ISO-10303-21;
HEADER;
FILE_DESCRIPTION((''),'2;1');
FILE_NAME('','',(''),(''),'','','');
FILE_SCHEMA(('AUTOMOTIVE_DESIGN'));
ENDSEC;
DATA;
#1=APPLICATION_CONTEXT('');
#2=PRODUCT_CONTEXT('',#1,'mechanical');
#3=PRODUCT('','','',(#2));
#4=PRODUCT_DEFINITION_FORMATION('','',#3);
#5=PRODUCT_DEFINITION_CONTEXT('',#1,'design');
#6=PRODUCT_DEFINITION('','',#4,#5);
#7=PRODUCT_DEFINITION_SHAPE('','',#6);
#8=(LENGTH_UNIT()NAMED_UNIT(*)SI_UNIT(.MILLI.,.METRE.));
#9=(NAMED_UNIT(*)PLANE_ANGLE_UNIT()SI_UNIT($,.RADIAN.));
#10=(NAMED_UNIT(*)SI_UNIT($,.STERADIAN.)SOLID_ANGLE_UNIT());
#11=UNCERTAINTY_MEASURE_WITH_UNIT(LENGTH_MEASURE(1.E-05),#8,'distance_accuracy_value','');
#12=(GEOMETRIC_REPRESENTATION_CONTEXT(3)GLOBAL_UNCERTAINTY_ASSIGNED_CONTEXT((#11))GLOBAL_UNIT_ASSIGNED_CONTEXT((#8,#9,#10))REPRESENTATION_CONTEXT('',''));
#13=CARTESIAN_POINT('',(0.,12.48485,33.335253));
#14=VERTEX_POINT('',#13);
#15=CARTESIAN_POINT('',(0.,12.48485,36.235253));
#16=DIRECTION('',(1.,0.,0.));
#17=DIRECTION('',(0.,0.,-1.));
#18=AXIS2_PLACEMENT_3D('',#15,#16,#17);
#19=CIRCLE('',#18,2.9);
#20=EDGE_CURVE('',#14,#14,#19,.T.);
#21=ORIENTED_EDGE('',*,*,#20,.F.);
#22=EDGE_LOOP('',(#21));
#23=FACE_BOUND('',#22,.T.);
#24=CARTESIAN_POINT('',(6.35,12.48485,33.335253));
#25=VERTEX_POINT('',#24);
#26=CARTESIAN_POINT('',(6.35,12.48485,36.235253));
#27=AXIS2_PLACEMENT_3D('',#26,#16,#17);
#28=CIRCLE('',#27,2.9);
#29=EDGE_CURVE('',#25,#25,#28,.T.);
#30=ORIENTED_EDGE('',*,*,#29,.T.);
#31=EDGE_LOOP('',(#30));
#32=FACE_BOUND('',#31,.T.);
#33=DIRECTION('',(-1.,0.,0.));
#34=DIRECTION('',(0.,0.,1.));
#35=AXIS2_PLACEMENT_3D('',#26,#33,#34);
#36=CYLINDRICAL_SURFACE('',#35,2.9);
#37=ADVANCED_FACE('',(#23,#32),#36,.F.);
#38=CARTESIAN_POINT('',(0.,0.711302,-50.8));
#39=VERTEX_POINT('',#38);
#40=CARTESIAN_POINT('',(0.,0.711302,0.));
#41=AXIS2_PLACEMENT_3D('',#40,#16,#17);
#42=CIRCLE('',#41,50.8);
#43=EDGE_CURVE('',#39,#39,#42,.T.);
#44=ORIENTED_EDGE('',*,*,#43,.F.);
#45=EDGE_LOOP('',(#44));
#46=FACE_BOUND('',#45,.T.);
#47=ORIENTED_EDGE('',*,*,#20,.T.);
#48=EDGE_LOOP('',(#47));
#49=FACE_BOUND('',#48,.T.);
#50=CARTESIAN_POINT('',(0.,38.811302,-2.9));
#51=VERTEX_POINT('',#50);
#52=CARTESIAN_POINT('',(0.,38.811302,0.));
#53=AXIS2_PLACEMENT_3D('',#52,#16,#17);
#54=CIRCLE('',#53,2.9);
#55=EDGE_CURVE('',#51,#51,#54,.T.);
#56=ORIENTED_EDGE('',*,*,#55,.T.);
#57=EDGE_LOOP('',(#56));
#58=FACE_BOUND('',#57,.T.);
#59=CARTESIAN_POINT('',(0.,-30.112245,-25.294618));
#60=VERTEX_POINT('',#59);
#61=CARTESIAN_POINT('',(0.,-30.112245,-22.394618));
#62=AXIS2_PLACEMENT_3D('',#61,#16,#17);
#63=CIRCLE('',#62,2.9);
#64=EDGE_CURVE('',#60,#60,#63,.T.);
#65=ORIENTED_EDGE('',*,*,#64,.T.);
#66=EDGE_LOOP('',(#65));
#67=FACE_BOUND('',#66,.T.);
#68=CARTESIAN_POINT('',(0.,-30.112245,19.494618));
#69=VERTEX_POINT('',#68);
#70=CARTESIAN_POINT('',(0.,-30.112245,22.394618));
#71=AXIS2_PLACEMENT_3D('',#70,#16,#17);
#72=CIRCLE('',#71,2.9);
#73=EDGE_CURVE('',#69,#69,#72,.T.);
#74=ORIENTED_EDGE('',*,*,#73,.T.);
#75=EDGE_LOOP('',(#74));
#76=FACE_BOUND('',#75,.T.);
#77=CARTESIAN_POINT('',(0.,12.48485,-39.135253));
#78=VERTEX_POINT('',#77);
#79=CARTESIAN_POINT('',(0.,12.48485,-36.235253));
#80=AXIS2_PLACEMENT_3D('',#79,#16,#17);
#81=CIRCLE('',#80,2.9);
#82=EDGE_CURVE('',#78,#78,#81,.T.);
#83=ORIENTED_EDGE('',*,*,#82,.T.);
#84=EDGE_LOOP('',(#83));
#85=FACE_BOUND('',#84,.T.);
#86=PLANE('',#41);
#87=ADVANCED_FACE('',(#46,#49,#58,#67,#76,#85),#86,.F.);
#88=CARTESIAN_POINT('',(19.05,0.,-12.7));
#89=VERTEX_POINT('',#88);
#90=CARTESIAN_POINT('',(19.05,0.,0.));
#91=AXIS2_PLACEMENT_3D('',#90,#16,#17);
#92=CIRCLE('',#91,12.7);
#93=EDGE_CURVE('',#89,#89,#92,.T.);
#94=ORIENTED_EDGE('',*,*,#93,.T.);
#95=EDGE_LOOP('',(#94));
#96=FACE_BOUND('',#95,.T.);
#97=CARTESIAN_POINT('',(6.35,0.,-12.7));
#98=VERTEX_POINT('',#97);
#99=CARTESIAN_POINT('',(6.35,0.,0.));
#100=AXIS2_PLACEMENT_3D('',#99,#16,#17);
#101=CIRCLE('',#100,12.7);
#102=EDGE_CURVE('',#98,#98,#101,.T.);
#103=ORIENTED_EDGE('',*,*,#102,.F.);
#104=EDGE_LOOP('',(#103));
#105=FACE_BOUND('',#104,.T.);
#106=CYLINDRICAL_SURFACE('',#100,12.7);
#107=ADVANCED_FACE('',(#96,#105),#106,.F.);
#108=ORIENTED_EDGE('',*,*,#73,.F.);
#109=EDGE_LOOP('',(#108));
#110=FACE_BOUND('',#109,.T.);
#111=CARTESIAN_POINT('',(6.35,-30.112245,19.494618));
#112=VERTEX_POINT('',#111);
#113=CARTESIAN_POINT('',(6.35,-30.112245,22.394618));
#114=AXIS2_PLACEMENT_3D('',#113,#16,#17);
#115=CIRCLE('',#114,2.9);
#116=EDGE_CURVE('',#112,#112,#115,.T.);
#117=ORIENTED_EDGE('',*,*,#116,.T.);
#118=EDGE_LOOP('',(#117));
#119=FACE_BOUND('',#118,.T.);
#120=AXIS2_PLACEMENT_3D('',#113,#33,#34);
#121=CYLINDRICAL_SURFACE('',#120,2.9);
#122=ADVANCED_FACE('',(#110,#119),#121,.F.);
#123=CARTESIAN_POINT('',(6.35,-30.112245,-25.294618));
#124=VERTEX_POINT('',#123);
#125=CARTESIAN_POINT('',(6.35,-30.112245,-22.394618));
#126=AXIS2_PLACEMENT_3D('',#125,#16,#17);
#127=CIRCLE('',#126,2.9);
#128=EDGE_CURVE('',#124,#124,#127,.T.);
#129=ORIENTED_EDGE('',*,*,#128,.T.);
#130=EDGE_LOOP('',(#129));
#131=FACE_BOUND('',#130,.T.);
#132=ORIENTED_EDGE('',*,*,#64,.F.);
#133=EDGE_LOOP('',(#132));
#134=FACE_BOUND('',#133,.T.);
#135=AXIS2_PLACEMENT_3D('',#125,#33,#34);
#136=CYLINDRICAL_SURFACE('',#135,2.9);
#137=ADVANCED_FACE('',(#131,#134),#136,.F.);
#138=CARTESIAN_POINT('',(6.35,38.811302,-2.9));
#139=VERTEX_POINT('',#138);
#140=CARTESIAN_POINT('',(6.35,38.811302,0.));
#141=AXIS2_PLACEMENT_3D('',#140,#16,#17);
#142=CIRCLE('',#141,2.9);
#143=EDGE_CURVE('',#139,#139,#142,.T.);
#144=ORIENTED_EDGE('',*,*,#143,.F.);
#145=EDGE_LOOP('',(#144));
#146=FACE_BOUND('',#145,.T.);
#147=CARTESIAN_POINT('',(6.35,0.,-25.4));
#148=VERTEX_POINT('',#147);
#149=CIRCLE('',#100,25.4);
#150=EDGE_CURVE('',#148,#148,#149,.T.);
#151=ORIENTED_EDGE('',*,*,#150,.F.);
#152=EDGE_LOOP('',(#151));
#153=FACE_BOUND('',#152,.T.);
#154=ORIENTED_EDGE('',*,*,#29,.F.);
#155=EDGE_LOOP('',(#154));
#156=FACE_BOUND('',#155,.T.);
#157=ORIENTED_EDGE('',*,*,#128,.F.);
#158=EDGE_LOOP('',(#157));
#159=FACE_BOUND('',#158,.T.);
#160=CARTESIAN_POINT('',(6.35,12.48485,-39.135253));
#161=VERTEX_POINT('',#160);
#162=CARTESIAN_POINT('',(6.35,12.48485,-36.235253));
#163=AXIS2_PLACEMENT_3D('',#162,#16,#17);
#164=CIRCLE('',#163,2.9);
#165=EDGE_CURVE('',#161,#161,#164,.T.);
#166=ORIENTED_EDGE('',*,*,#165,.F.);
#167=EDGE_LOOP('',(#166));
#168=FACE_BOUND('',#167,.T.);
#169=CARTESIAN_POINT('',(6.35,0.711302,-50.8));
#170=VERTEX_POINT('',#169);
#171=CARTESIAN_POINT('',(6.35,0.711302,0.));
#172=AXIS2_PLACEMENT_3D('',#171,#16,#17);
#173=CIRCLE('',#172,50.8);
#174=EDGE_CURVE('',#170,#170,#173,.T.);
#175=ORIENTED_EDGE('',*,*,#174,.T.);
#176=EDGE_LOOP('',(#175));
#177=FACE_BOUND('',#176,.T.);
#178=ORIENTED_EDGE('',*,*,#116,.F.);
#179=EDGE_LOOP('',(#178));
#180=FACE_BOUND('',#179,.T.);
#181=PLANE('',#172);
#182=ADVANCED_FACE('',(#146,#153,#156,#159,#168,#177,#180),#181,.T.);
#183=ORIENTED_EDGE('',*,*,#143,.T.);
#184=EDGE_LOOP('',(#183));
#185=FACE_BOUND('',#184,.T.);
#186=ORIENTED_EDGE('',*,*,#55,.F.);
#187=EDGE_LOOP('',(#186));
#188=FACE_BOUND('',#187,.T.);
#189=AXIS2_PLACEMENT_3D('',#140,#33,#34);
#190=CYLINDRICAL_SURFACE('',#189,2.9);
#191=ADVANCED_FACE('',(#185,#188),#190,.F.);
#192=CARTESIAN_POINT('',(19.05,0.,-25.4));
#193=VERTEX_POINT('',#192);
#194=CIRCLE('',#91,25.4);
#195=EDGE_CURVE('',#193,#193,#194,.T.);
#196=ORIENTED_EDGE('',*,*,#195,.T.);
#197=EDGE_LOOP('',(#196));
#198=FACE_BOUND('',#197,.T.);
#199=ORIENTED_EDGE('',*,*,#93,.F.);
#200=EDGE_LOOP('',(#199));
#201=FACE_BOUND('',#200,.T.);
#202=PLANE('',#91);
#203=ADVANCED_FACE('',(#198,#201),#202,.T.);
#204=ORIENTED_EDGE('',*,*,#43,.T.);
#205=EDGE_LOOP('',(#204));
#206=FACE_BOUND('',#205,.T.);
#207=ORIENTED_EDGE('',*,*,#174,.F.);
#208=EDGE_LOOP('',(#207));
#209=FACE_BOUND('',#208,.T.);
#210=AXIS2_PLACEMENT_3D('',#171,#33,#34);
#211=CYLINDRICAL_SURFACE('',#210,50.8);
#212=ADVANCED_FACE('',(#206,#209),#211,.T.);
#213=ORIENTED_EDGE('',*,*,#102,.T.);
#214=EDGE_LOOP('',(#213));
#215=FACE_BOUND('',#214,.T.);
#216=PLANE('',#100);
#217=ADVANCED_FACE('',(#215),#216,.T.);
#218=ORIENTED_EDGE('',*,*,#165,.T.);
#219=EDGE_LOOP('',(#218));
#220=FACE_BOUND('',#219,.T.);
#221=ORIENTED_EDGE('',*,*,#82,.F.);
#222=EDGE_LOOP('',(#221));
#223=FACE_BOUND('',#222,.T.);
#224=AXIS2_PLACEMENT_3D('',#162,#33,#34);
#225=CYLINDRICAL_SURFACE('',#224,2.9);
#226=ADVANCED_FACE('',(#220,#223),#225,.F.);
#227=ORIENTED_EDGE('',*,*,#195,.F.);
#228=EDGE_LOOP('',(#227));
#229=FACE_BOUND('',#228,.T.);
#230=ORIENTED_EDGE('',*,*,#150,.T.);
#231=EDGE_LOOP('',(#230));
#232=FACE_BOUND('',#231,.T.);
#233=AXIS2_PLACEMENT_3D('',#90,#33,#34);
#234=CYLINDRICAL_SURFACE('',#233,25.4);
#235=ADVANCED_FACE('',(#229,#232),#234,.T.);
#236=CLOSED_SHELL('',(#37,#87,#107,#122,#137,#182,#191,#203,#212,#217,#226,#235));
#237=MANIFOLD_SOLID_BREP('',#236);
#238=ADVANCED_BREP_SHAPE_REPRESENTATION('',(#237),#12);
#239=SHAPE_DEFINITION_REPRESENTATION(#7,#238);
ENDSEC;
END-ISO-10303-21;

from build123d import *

# Parameters (mm, degrees)
SKETCH1_R           = 50.8
SKETCH1_R_2         = 2.9
BOSS_EXTRUDE1_DEPTH = 6.35
SKETCH2_R           = 25.4
BOSS_EXTRUDE2_DEPTH = 12.7
SKETCH3_R           = 12.7
CUT_EXTRUDE1_DEPTH  = 12.7


with BuildPart() as part:
    # Sketch1 → Boss-Extrude1 (new body)
    with BuildSketch(Plane(origin=(0, 0, 0), x_dir=(0, 0, -1), z_dir=(1, 0, 0))):
        with Locations((0, 0.711302035)):
            Circle(SKETCH1_R)
        with Locations((-36.235253271, 12.484849521)):
            Circle(SKETCH1_R_2, mode=Mode.SUBTRACT)
        with Locations((-22.394618112, -30.112245451)):
            Circle(SKETCH1_R_2, mode=Mode.SUBTRACT)
        with Locations((22.394618112, -30.112245451)):
            Circle(SKETCH1_R_2, mode=Mode.SUBTRACT)
        with Locations((36.235253271, 12.484849521)):
            Circle(SKETCH1_R_2, mode=Mode.SUBTRACT)
        with Locations((0, 38.811302035)):
            Circle(SKETCH1_R_2, mode=Mode.SUBTRACT)
    extrude(amount=BOSS_EXTRUDE1_DEPTH)

    # Sketch2 → Boss-Extrude2 (add)
    with BuildSketch(Plane(origin=(6.35, 0, 0), x_dir=(0, 0, -1), z_dir=(1, 0, 0))):
        Circle(SKETCH2_R)
    extrude(amount=BOSS_EXTRUDE2_DEPTH)

    # Sketch3 → Cut-Extrude1 (cut)
    with BuildSketch(Plane(origin=(19.05, 0, 0), x_dir=(0, 0, -1), z_dir=(1, 0, 0))):
        Circle(SKETCH3_R)
    extrude(amount=-CUT_EXTRUDE1_DEPTH, mode=Mode.SUBTRACT)


solid = part.part
